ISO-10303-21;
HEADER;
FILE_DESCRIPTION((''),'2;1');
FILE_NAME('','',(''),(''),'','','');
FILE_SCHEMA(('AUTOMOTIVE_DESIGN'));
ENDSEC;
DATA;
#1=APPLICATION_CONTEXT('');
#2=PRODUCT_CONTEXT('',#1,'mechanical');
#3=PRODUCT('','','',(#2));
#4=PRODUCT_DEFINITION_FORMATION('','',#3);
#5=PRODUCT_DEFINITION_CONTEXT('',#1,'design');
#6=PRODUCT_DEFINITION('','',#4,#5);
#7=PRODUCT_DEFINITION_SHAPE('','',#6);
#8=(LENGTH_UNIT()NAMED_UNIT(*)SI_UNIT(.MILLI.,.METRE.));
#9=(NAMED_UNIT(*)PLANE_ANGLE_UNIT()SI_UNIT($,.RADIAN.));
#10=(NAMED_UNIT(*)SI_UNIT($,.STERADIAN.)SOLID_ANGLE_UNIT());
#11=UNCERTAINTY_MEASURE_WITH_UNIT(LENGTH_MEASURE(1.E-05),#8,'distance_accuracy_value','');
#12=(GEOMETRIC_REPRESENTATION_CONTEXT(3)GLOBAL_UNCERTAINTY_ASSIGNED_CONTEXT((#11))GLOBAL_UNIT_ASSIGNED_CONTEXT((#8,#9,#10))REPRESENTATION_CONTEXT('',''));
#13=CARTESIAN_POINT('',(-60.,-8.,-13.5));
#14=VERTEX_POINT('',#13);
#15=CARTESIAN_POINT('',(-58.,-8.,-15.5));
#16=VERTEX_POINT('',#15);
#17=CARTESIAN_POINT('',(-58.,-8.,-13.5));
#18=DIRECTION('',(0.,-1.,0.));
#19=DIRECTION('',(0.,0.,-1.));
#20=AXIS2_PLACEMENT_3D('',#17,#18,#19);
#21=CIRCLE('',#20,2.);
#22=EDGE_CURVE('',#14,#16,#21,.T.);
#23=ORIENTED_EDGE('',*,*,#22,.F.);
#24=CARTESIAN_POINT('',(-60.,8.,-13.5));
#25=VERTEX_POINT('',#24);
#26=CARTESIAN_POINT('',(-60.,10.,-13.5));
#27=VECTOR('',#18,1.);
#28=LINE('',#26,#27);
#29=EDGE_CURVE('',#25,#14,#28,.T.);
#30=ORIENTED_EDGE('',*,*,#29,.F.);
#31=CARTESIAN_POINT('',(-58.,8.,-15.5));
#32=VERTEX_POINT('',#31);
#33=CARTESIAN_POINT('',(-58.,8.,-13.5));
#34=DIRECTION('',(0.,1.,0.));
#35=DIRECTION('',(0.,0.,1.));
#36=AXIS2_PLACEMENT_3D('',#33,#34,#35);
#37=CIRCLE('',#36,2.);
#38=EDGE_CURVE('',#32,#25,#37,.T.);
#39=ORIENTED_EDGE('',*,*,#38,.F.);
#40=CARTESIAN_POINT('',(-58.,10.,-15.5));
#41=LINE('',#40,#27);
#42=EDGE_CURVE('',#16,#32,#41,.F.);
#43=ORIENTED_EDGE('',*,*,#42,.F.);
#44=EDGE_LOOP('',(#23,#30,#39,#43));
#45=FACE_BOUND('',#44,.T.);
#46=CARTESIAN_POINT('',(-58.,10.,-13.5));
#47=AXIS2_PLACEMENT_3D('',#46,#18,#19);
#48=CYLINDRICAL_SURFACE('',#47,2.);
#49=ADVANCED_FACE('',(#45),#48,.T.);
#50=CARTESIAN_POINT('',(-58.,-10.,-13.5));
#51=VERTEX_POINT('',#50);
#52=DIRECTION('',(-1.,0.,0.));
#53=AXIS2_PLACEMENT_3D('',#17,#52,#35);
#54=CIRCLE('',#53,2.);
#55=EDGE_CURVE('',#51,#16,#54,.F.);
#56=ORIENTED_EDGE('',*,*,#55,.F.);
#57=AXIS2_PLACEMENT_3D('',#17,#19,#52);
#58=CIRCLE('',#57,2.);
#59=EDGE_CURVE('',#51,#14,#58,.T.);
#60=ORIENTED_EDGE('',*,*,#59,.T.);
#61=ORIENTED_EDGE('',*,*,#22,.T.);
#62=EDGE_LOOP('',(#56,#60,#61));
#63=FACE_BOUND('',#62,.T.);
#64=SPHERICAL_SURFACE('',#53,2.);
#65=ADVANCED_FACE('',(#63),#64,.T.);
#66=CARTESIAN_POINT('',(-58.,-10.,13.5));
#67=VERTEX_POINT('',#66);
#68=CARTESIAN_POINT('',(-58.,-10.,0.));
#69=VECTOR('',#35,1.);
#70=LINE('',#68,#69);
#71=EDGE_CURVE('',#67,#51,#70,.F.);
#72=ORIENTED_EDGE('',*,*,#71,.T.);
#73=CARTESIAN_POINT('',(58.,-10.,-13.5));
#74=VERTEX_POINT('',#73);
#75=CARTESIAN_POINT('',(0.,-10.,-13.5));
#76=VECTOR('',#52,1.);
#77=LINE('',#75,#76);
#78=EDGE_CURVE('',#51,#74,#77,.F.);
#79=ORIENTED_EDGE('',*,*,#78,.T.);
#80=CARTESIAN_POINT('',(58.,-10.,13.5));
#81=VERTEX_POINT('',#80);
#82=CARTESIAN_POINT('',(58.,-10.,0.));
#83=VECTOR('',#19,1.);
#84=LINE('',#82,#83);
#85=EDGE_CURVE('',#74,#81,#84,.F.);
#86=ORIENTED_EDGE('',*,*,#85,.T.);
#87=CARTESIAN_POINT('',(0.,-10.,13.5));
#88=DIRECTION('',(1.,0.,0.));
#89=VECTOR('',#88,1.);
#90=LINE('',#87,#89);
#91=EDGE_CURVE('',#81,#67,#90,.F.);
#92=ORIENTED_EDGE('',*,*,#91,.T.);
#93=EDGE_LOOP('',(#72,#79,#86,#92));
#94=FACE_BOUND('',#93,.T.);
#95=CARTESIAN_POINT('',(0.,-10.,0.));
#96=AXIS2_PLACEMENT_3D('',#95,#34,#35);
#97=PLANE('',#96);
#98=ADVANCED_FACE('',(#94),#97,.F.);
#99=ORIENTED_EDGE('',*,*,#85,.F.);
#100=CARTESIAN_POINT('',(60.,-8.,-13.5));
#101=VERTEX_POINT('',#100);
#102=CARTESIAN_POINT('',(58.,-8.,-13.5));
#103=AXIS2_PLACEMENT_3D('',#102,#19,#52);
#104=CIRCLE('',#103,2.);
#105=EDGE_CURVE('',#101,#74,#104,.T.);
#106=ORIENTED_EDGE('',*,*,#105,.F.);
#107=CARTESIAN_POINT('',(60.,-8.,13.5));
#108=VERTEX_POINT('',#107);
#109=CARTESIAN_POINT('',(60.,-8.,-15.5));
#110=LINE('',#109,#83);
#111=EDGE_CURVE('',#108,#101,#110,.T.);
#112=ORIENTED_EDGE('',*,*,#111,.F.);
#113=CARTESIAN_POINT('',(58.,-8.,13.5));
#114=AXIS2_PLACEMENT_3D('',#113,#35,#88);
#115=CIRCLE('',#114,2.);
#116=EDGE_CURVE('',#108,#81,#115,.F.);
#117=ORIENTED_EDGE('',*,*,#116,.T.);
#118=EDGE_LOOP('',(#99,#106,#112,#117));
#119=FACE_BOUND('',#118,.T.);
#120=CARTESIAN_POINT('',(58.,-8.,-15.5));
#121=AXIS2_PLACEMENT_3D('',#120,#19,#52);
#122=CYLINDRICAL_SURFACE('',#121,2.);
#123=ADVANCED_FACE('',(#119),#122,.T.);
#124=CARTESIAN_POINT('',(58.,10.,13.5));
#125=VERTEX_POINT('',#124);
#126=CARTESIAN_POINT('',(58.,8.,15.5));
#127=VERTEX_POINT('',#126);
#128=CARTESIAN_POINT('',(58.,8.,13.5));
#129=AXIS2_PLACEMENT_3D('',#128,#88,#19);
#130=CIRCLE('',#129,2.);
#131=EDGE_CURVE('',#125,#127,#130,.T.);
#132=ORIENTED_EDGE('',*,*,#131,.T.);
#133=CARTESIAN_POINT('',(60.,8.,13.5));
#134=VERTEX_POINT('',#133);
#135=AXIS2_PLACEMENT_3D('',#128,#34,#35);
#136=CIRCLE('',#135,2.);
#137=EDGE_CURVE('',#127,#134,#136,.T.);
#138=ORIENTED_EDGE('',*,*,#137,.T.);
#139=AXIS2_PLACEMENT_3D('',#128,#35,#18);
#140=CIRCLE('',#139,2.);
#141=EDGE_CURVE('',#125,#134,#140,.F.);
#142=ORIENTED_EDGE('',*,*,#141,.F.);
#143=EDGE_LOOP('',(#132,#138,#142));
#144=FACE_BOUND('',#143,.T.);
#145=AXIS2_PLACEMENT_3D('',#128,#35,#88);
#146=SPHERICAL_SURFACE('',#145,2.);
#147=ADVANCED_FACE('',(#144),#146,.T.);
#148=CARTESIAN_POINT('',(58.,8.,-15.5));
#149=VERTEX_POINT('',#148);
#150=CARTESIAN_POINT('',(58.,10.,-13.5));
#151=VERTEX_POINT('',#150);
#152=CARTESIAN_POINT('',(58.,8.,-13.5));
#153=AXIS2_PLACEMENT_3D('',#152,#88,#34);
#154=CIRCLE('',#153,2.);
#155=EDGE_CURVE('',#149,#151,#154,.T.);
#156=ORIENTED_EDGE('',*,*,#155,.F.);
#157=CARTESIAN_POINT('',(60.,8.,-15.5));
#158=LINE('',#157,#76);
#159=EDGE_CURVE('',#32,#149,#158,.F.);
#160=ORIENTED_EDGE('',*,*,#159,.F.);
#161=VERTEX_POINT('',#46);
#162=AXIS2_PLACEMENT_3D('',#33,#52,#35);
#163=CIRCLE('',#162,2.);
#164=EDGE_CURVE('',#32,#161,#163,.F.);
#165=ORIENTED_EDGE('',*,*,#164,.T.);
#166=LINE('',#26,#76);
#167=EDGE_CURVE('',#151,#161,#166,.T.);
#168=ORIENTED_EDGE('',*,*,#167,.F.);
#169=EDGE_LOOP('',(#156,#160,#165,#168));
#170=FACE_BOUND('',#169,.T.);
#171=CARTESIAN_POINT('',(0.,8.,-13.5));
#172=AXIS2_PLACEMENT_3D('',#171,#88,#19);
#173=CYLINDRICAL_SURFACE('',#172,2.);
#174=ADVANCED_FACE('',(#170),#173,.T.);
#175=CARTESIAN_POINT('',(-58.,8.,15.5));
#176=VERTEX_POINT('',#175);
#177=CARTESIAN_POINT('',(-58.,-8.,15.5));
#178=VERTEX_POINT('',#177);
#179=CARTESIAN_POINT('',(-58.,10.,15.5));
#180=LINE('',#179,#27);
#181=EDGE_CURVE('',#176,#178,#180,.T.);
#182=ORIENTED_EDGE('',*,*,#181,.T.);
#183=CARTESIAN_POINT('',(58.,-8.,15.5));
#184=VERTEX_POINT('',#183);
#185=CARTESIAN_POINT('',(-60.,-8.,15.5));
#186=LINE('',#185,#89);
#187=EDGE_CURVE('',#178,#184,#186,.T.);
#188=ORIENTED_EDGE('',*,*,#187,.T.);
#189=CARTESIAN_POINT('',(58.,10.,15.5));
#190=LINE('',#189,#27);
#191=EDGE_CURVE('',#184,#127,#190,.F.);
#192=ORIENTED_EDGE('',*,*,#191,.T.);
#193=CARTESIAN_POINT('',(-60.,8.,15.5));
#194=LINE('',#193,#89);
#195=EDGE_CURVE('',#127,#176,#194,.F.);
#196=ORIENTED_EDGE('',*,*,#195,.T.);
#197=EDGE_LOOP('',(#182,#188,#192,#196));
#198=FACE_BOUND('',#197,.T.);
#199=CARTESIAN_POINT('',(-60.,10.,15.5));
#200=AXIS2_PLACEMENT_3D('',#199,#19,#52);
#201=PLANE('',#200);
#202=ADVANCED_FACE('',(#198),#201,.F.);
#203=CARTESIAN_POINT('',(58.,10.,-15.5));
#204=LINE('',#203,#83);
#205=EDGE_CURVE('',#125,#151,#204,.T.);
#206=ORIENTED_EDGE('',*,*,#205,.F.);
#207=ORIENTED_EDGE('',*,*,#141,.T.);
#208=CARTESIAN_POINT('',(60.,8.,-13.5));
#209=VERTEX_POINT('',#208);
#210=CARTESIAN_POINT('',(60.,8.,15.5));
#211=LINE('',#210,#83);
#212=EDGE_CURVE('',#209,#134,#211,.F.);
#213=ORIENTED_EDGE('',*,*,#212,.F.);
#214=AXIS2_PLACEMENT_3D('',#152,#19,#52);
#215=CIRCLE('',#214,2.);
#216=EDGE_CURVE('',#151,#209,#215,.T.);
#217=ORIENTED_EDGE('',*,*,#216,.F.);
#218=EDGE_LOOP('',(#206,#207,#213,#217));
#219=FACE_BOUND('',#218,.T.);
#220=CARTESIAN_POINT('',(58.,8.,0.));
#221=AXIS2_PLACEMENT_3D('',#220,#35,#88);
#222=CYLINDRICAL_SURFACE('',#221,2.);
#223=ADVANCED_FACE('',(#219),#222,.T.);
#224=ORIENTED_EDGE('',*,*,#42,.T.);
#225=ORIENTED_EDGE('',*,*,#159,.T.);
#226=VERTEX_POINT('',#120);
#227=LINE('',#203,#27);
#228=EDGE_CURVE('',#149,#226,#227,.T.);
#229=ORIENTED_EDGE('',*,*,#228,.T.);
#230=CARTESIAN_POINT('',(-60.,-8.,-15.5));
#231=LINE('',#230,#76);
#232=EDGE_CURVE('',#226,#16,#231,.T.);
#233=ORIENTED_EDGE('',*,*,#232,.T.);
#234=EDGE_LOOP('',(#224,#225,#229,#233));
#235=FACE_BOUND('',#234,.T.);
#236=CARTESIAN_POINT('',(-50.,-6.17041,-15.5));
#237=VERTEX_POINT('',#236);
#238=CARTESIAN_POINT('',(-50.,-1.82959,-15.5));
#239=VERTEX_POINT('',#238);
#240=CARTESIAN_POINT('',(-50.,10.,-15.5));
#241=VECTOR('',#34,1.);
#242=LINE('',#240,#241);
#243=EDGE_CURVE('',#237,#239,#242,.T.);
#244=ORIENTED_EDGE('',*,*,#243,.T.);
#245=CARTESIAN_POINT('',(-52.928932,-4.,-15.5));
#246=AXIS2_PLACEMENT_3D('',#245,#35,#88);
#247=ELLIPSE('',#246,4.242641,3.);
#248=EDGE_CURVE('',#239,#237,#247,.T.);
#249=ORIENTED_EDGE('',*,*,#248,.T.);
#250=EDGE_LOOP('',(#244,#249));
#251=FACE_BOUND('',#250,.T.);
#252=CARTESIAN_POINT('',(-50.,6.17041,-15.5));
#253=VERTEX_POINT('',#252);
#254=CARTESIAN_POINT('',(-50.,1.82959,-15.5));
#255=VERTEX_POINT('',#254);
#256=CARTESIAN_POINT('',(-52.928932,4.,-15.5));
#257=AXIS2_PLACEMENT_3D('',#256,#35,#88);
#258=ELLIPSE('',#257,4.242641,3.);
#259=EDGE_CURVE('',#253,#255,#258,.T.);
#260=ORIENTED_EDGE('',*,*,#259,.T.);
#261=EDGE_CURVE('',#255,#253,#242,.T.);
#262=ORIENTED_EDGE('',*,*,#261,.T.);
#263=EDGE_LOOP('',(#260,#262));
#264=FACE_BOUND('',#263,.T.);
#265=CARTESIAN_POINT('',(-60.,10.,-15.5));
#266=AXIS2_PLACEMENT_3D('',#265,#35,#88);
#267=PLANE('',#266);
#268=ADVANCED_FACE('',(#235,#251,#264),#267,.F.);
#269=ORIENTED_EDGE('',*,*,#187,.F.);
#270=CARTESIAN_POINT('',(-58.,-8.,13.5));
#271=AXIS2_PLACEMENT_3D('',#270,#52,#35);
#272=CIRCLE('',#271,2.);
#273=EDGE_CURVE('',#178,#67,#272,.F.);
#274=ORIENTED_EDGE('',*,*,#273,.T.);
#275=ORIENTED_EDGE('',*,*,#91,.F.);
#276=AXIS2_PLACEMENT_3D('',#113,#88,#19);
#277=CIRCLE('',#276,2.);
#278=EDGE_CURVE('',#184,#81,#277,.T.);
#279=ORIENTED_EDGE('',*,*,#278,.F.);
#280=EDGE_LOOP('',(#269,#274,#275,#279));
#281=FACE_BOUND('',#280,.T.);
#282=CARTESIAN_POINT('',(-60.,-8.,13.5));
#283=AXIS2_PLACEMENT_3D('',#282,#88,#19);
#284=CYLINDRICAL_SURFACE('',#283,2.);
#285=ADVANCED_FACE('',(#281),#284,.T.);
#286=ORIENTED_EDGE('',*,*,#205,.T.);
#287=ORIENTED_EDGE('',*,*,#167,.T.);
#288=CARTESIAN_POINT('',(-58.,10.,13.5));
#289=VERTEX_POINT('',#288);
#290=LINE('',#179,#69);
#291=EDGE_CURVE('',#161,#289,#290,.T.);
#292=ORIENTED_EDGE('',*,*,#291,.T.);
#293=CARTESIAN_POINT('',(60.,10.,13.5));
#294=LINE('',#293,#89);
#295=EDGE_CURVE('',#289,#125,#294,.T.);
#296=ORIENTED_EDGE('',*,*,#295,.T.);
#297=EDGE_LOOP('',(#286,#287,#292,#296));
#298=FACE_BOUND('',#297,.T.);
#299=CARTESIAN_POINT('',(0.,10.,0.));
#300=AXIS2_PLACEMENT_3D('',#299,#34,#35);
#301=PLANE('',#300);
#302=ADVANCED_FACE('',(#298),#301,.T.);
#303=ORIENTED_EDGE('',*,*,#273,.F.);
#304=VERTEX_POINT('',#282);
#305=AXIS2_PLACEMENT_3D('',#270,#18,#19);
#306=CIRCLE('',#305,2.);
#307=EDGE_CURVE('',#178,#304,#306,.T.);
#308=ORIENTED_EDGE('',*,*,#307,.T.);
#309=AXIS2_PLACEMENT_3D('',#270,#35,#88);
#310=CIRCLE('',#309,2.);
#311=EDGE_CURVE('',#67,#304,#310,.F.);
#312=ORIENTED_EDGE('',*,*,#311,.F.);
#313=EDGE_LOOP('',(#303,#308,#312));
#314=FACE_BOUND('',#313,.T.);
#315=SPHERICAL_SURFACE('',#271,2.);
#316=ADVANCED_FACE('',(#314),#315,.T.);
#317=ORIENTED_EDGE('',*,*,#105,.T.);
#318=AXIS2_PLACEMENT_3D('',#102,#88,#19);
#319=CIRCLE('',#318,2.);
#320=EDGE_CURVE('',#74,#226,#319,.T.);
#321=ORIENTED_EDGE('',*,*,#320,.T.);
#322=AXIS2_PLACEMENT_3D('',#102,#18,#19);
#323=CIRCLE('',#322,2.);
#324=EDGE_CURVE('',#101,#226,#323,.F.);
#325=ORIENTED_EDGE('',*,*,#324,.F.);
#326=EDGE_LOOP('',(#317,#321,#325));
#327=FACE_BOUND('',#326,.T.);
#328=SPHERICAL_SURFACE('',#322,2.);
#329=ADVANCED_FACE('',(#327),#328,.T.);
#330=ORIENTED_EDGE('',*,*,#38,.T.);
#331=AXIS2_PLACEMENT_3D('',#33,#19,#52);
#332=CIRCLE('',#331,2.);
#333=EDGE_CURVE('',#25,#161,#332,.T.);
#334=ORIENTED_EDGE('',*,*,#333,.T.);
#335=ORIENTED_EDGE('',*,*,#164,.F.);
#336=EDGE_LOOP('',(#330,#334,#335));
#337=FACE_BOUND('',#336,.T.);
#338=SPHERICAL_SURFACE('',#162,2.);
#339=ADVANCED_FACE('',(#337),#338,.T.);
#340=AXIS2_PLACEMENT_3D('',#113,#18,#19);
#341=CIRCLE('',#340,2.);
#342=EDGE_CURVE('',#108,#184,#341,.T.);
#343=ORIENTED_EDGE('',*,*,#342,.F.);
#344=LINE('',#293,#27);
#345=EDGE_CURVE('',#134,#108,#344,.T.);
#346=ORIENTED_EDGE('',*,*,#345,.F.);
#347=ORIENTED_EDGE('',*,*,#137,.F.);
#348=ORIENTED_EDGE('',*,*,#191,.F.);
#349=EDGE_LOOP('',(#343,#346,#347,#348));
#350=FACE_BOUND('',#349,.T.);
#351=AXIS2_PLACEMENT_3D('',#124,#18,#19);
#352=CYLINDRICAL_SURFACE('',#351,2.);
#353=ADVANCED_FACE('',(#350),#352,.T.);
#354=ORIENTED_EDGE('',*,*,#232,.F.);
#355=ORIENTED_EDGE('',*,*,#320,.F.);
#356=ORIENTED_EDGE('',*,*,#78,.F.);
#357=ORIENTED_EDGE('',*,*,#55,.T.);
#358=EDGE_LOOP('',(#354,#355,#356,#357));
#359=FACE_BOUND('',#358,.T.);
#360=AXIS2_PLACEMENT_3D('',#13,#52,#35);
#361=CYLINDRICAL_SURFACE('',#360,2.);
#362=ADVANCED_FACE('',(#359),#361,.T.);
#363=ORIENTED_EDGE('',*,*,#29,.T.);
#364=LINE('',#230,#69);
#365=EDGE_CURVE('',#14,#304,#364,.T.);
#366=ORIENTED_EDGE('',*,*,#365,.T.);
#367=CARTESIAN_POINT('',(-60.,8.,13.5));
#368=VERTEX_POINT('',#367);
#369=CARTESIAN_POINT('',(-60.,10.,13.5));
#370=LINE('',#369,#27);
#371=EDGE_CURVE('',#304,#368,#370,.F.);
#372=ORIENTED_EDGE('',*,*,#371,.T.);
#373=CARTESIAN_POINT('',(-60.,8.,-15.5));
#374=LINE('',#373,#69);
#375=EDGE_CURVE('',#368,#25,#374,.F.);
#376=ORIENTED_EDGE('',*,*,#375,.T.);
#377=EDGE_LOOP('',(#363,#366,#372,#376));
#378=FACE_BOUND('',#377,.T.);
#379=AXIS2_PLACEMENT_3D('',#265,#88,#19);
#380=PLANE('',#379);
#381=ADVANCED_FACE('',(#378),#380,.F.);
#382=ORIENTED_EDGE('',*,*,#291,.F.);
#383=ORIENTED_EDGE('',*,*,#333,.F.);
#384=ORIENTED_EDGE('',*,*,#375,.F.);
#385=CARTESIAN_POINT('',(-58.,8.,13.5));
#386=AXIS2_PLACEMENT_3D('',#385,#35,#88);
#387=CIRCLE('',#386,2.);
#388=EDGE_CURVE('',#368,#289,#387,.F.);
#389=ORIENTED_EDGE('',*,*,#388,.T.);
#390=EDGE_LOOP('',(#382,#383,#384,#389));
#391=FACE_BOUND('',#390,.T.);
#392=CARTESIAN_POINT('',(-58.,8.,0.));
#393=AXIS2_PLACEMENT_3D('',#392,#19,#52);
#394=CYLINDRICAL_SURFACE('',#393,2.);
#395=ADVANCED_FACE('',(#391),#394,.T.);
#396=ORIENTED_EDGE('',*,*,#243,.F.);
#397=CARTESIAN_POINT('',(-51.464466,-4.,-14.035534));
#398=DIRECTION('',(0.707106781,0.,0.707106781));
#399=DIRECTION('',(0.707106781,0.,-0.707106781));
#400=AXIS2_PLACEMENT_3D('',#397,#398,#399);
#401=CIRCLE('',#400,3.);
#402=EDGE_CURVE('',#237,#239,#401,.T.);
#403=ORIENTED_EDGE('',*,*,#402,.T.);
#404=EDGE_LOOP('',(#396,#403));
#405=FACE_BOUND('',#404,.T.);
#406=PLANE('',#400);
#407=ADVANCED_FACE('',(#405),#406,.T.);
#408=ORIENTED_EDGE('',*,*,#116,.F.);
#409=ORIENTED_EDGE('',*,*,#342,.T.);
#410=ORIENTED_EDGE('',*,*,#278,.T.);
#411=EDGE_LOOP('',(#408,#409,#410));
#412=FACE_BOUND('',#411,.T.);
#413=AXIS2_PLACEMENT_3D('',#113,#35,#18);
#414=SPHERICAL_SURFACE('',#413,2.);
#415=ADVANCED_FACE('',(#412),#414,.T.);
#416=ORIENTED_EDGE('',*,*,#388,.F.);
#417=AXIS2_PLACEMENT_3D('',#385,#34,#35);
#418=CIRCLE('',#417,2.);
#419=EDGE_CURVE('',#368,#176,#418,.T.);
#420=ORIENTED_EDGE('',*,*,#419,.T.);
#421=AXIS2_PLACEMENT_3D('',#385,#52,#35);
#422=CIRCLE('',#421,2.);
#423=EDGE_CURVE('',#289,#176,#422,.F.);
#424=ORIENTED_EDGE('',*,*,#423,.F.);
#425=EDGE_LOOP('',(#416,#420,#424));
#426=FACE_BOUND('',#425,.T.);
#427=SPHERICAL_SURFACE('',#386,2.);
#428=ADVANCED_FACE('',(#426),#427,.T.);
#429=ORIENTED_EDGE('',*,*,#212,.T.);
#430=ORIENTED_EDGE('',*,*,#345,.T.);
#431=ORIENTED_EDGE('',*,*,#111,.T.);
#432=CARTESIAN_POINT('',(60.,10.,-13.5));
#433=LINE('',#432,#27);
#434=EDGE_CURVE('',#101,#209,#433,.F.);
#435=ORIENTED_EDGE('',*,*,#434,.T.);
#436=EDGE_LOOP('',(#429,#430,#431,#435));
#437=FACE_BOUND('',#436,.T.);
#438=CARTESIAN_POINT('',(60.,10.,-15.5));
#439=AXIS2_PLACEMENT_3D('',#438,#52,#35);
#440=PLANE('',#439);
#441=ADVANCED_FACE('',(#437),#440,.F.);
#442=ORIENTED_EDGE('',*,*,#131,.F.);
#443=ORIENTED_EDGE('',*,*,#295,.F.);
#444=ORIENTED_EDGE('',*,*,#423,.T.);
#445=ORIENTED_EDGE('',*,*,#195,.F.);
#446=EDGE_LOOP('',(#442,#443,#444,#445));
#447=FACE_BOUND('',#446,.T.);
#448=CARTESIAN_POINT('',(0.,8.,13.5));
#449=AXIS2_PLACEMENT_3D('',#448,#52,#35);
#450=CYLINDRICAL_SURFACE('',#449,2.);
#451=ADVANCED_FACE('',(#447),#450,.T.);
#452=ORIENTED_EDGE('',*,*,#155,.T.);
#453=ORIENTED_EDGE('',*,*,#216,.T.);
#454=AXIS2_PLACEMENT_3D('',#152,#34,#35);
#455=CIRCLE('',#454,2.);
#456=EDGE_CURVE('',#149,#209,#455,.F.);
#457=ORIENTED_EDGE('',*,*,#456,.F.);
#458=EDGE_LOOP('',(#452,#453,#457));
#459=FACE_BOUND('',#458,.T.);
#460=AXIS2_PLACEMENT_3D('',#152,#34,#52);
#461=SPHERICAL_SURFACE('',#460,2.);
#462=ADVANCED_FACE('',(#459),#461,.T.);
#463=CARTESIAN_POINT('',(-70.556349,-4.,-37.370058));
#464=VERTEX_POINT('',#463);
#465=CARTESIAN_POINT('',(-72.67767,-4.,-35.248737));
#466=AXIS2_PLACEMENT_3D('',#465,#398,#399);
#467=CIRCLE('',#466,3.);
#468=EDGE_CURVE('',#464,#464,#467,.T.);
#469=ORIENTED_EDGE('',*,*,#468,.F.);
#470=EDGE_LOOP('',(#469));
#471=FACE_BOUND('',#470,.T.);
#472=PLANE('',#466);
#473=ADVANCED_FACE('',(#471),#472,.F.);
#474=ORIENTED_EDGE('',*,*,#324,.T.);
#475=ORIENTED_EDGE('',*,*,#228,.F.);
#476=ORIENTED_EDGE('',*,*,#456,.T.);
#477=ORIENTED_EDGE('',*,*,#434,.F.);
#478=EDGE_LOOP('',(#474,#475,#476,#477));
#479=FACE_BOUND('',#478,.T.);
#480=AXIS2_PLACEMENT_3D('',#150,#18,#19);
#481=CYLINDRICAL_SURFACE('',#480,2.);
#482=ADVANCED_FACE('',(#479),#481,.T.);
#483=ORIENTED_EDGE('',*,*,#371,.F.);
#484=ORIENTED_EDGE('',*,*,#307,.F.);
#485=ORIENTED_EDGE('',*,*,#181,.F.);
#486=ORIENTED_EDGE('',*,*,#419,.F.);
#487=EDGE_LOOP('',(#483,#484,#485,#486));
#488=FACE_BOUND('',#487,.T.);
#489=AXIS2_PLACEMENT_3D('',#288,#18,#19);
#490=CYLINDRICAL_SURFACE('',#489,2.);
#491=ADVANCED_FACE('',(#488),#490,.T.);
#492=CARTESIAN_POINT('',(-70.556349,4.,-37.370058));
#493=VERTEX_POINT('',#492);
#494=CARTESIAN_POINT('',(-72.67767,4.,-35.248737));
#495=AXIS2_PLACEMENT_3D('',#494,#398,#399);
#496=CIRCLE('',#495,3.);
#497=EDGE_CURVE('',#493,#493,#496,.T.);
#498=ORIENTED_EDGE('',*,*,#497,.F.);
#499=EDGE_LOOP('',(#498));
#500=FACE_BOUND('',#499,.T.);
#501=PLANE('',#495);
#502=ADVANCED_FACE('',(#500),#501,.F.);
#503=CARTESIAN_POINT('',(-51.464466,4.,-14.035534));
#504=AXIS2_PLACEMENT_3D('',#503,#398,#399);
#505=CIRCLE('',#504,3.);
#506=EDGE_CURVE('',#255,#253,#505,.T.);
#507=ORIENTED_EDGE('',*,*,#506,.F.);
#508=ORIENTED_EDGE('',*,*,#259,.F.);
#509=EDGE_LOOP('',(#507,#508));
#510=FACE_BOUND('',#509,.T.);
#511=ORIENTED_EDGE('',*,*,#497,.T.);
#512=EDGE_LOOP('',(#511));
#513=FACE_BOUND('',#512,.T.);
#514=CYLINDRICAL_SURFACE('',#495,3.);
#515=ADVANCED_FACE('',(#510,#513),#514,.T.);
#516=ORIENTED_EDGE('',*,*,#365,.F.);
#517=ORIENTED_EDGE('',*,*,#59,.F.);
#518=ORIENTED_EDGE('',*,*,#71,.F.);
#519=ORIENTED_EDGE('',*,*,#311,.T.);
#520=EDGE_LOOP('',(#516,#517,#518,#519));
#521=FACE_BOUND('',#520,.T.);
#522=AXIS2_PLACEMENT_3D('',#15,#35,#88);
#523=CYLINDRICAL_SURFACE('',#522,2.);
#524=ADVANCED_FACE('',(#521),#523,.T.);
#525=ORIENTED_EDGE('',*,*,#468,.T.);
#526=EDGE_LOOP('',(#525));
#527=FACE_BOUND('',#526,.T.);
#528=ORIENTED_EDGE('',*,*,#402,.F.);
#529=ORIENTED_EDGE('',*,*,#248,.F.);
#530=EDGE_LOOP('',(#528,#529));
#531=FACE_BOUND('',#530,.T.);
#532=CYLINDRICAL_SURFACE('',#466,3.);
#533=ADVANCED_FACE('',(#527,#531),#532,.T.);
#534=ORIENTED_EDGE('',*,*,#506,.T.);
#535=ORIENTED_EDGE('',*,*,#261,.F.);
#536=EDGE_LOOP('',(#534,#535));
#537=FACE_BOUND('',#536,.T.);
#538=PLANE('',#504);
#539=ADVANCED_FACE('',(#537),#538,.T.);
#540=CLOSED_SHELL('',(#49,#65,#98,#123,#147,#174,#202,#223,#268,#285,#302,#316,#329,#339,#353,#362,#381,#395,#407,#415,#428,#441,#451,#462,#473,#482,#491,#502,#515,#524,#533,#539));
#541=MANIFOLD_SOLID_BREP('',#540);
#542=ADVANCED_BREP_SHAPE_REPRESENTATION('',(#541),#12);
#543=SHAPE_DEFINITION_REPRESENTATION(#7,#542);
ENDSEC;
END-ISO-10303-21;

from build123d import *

# Parameters (mm, degrees)
SKETCH1_W           = 120
SKETCH1_H           = 31
BOSS_EXTRUDE1_DEPTH = 10
SKETCH4_R           = 3
BOSS_EXTRUDE2_DEPTH = 30
FILLET1_R           = 2


with BuildPart() as part:
    # Sketch1 → Boss-Extrude1 (new body, symmetric)
    with BuildSketch(Plane(origin=(0, 0, 0), x_dir=(1, 0, 0), z_dir=(0, 1, 0))):
        Rectangle(SKETCH1_W, SKETCH1_H)
    extrude(amount=BOSS_EXTRUDE1_DEPTH, both=True)

    # Sketch4 → Boss-Extrude2 (add)
    with BuildSketch(Plane(origin=(-32.75, 0, -32.75), x_dir=(0.707106781, 0, -0.707106781), z_dir=(0.707106781, 0, 0.707106781))):
        with Locations((-26.466251763, 4)):
            Circle(SKETCH4_R)
        with Locations((-26.466251763, -4)):
            Circle(SKETCH4_R)
    extrude(amount=-BOSS_EXTRUDE2_DEPTH)

    # Fillet1
    fillet1_edges = [part.edges().sort_by_distance(p)[0] for p in [
        (-60, 10, 0),
        (0, 10, 15.5),
        (60, 10, 0),
        (0, -10, 15.5),
        (-60, -10, 0),
        (0, -10, -15.5),
        (60, -10, 0),
        (60, 0, 15.5),
        (-60, 0, 15.5),
        (-60, 0, -15.5),
        (60, 0, -15.5),
        (0, 10, -15.5),
    ]]
    fillet(fillet1_edges, radius=FILLET1_R)


solid = part.part
